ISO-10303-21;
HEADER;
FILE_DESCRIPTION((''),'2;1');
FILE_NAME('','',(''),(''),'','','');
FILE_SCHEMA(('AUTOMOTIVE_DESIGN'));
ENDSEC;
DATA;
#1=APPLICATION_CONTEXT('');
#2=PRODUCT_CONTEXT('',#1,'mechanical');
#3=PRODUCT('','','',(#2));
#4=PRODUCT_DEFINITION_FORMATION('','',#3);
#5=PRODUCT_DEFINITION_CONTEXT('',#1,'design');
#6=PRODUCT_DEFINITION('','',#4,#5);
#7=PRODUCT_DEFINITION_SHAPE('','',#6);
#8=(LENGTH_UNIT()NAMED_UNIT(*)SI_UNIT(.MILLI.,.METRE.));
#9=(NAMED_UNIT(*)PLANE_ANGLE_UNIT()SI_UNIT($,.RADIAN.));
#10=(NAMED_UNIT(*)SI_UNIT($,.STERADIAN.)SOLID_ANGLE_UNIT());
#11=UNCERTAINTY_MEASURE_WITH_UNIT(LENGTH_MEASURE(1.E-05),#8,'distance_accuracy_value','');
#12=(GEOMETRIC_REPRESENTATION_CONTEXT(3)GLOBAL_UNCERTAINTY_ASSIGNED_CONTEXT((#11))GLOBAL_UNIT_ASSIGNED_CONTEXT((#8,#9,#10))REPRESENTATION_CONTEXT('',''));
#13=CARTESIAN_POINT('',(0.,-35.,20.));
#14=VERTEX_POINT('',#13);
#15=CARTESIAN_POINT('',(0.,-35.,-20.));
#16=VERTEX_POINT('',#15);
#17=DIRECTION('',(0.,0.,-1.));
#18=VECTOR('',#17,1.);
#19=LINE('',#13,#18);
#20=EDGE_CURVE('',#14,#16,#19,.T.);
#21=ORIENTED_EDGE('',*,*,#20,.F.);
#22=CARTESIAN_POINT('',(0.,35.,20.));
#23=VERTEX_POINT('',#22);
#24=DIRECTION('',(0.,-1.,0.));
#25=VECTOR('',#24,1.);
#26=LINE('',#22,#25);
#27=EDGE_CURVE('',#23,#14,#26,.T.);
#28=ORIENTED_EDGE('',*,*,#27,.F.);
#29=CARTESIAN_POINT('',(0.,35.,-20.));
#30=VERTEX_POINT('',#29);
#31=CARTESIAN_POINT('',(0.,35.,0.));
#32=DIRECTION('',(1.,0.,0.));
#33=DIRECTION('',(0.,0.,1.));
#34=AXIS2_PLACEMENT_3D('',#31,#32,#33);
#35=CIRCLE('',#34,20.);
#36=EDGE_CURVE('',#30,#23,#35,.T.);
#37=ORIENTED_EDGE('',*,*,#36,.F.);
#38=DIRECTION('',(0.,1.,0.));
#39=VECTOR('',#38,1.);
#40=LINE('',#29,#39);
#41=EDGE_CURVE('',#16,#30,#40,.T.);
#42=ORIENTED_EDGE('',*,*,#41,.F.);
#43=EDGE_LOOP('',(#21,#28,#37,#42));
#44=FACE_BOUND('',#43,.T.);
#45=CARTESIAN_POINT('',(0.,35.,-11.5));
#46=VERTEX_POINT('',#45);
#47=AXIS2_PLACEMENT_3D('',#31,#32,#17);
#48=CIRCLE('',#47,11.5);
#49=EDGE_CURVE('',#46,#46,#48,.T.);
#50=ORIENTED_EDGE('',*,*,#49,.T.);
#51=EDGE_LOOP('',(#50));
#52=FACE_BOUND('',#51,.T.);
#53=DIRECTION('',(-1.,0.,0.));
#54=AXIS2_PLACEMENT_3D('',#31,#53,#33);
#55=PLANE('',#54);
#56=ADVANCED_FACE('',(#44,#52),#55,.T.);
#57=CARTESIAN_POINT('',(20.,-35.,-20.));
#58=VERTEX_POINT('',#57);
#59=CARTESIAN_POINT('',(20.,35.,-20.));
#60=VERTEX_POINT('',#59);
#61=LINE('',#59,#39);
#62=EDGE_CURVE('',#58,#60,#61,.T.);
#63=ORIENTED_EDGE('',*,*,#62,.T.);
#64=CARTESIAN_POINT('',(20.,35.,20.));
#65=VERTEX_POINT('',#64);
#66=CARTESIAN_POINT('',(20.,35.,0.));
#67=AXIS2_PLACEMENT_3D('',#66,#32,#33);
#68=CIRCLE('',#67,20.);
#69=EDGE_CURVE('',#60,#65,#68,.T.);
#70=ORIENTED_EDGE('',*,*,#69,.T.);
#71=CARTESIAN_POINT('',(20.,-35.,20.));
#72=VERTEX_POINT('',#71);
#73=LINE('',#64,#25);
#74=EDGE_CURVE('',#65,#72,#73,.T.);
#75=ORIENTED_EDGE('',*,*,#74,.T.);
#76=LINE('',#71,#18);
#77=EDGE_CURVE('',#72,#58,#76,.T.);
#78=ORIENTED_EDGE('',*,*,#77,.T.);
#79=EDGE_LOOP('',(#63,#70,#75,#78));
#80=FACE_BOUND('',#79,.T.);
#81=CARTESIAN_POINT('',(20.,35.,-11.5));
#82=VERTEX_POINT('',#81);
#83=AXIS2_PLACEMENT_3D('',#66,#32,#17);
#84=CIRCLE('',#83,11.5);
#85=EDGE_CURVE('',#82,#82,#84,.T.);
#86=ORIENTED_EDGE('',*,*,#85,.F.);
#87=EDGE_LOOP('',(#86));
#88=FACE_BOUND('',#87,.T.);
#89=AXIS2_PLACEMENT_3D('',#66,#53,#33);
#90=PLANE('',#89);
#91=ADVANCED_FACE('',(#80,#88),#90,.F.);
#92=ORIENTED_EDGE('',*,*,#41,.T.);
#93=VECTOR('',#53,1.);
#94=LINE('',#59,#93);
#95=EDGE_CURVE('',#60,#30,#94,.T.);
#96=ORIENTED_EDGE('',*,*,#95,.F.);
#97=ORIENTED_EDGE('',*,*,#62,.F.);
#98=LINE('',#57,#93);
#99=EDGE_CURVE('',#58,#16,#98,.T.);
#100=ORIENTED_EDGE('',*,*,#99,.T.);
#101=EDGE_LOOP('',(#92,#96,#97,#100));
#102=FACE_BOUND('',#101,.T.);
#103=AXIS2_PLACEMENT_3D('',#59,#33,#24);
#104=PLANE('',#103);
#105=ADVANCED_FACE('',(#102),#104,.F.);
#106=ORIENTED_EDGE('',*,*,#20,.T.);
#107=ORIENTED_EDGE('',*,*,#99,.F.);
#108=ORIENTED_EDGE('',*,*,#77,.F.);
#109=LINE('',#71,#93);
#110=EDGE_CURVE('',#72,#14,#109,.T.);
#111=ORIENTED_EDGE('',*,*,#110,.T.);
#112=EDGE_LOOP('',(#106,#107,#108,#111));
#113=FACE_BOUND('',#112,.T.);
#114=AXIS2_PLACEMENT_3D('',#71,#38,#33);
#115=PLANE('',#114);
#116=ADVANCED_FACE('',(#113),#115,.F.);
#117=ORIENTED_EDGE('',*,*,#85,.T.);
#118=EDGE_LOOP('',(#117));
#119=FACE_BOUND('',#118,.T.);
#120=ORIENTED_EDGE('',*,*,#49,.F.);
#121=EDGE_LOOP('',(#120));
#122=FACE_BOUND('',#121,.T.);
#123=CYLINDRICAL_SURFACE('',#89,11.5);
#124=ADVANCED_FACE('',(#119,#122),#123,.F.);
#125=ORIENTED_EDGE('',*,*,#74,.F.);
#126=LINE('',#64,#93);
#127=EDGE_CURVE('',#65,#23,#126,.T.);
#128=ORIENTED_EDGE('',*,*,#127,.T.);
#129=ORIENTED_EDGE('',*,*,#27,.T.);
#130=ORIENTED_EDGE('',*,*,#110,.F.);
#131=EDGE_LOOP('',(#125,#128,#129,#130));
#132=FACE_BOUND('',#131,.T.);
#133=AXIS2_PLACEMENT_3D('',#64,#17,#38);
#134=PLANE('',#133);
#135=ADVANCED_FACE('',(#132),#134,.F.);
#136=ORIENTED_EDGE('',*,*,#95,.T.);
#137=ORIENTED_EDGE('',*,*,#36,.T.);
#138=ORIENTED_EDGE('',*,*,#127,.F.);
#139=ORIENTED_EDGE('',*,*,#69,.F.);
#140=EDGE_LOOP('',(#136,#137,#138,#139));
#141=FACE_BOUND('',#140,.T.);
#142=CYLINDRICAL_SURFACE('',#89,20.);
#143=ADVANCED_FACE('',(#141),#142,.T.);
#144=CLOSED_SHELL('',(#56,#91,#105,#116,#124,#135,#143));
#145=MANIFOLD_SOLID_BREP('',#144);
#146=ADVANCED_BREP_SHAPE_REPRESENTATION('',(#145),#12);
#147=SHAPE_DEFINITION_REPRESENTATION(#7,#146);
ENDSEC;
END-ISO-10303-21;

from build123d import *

# Parameters (mm, degrees)
SKETCH1_R           = 11.5
BOSS_EXTRUDE1_DEPTH = 20


with BuildPart() as part:
    # Sketch1 → Boss-Extrude1 (new body)
    with BuildSketch(Plane(origin=(0, 0, 0), x_dir=(0, 0, -1), z_dir=(1, 0, 0))):
        with BuildLine():
            Line((-20, 35), (-20, -35))
            Line((-20, -35), (20, -35))
            Line((20, -35), (20, 35))
            ThreePointArc((20, 35), (0, 55), (-20, 35))
        make_face()
        with Locations((0, 35)):
            Circle(SKETCH1_R, mode=Mode.SUBTRACT)
    extrude(amount=BOSS_EXTRUDE1_DEPTH)


solid = part.part
